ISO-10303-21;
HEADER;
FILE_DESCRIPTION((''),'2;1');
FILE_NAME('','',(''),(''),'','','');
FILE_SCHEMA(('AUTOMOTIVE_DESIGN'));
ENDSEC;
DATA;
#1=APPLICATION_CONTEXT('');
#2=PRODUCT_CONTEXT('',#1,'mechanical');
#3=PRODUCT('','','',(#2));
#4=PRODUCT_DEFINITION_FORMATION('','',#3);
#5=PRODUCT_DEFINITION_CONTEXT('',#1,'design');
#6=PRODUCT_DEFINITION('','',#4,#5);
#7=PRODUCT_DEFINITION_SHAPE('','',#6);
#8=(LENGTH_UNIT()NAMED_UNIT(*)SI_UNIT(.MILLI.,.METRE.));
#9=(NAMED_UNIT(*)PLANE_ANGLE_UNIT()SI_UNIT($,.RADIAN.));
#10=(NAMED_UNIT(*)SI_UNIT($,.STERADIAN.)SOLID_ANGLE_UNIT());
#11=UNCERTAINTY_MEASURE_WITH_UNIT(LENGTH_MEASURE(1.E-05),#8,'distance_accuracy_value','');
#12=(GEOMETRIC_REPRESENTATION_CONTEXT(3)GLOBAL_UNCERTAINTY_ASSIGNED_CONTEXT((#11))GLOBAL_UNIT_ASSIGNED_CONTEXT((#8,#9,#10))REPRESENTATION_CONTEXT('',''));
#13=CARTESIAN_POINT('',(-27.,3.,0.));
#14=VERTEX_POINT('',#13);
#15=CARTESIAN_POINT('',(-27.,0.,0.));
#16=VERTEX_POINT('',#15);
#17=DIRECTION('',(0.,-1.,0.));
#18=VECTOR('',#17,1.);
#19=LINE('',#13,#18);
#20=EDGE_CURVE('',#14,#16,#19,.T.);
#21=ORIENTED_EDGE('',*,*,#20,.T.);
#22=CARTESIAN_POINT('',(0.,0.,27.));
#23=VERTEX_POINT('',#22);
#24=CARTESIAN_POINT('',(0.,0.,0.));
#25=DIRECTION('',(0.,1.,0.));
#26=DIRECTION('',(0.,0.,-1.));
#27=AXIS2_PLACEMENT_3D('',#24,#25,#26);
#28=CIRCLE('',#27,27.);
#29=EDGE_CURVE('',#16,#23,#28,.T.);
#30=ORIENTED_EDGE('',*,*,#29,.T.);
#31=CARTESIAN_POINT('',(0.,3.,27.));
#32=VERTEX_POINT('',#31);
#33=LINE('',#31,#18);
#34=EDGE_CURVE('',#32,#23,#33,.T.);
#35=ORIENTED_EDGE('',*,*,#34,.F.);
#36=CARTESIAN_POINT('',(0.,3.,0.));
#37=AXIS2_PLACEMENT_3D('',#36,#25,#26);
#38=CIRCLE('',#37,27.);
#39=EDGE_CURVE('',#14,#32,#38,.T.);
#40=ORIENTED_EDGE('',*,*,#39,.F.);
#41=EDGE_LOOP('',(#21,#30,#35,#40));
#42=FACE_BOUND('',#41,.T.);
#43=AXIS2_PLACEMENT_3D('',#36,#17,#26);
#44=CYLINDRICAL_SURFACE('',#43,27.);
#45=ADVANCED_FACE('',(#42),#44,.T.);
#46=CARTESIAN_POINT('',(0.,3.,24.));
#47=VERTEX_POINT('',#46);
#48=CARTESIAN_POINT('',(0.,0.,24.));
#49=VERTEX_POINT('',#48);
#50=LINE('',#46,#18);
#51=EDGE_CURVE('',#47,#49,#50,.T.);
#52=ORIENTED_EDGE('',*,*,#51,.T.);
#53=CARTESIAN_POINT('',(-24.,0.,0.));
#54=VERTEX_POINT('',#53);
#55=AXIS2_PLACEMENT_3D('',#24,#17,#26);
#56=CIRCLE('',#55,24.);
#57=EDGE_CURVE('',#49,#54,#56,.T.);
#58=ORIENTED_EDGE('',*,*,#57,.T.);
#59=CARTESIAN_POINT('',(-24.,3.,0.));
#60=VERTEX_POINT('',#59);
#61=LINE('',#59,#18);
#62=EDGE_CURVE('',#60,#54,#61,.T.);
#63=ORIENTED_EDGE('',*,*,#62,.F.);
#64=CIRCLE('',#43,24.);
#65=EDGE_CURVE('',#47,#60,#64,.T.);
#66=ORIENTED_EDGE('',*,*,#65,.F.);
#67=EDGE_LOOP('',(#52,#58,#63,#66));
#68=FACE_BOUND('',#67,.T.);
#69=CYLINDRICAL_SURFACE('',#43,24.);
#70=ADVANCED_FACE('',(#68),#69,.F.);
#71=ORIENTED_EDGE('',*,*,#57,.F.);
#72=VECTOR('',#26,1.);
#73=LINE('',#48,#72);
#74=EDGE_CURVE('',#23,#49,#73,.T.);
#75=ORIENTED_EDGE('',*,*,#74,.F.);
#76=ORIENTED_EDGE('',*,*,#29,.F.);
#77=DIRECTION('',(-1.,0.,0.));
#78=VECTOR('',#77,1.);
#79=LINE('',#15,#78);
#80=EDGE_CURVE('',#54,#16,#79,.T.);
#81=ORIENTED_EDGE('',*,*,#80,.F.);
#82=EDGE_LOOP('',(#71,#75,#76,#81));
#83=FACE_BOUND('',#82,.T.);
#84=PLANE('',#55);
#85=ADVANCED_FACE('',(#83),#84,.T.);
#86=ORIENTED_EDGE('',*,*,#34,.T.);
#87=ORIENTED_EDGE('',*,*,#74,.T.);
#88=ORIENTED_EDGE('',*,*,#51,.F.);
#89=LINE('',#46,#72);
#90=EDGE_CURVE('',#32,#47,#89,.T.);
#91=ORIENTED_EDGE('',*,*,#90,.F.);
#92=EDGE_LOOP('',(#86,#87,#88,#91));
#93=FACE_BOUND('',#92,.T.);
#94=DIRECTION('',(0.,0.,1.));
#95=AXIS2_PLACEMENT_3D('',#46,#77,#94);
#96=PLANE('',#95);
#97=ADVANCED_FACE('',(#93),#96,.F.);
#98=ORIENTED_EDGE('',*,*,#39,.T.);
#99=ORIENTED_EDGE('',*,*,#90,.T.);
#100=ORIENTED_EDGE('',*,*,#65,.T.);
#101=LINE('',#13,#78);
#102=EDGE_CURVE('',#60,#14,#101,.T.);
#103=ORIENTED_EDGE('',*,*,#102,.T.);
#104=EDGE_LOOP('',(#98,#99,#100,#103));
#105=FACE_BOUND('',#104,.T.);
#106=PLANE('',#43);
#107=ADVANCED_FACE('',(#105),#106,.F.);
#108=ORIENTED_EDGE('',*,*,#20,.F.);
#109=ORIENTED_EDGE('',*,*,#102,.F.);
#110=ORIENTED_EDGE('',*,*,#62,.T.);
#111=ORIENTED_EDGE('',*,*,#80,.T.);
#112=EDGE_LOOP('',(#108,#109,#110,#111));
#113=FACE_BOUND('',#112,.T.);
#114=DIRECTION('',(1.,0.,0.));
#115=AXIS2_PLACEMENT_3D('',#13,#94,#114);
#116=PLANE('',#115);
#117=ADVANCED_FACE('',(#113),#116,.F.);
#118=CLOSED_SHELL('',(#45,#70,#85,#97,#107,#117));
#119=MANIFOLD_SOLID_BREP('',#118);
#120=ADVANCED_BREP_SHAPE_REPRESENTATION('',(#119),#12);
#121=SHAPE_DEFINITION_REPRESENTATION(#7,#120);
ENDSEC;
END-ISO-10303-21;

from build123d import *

# Parameters (mm, degrees)
EXTRUDE_1_DEPTH = 3


with BuildPart() as part:
    # 草圖1 → 填料-伸長1 (new body)
    with BuildSketch(Plane(origin=(0, 0, 0), x_dir=(1, 0, 0), z_dir=(0, 1, 0))):
        with BuildLine():
            Line((-27, 0), (-24, 0))
            ThreePointArc((-24, 0), (-16.970562748, -16.970562748), (0, -24))
            Line((0, -24), (0, -27))
            ThreePointArc((0, -27), (-19.091883092, -19.091883092), (-27, 0))
        make_face()
    extrude(amount=EXTRUDE_1_DEPTH)


solid = part.part
